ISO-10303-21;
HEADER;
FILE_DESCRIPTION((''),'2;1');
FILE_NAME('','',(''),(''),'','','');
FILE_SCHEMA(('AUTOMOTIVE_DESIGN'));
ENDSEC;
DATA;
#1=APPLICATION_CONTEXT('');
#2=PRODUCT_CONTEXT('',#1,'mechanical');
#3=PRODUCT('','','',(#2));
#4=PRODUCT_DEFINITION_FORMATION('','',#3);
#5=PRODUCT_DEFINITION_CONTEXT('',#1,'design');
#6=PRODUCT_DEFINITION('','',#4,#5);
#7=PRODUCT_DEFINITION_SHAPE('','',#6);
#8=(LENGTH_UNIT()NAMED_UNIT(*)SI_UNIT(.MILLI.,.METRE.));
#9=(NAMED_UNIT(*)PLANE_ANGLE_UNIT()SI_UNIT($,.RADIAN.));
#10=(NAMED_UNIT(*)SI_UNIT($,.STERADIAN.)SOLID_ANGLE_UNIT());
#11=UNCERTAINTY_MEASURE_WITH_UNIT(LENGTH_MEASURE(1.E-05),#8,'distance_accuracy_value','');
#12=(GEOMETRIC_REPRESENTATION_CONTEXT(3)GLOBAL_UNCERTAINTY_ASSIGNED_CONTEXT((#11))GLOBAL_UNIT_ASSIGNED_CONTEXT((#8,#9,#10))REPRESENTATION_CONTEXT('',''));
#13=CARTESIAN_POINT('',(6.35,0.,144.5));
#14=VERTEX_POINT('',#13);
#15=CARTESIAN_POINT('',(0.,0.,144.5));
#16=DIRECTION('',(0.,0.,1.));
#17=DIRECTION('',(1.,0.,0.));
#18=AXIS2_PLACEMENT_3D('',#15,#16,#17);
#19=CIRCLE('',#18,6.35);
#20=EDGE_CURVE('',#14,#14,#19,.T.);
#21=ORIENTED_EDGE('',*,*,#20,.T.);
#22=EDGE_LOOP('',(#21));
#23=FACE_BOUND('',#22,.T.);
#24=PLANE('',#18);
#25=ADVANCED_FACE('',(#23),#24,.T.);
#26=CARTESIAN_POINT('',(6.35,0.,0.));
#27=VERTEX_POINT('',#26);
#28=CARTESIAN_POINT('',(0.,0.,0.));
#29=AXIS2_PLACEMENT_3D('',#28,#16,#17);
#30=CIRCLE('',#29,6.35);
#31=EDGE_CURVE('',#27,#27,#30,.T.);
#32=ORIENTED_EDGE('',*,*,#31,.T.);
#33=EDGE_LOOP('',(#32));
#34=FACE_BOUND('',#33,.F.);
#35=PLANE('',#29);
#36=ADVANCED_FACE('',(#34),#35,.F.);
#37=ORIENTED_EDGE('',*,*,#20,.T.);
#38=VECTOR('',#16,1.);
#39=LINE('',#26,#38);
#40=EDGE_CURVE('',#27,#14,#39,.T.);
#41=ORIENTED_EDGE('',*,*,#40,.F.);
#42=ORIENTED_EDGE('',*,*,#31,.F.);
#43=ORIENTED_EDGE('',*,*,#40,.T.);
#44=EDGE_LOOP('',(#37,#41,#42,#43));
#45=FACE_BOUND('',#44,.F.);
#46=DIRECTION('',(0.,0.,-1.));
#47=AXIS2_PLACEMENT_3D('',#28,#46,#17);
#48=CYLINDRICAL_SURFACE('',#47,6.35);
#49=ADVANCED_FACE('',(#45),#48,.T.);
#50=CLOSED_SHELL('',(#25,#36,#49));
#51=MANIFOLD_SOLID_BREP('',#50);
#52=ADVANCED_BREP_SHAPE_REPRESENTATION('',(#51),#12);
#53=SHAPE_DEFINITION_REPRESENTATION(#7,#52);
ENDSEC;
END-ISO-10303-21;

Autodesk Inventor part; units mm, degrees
ref_plane "YZ Plane" through (0, 0, 0) normal (1, 0, 0) x (0, 1, 0)
ref_plane "XZ Plane" through (0, 0, 0) normal (0, 1, 0) x (-1, 0, 0)
ref_plane "XY Plane" through (0, 0, 0) normal (0, 0, 1) x (1, 0, 0)
sketch "Sketch1" plane through (0, 0, 0) normal (0, 0, 1) x (1, 0, 0)
  circle A0 centre (0, 0) radius 6.35
  dimension "d0" = 12.7
extrude "Extrusion1" add sketch "Sketch1" along normal blind 144.5
properties part number "rod_145mm"
